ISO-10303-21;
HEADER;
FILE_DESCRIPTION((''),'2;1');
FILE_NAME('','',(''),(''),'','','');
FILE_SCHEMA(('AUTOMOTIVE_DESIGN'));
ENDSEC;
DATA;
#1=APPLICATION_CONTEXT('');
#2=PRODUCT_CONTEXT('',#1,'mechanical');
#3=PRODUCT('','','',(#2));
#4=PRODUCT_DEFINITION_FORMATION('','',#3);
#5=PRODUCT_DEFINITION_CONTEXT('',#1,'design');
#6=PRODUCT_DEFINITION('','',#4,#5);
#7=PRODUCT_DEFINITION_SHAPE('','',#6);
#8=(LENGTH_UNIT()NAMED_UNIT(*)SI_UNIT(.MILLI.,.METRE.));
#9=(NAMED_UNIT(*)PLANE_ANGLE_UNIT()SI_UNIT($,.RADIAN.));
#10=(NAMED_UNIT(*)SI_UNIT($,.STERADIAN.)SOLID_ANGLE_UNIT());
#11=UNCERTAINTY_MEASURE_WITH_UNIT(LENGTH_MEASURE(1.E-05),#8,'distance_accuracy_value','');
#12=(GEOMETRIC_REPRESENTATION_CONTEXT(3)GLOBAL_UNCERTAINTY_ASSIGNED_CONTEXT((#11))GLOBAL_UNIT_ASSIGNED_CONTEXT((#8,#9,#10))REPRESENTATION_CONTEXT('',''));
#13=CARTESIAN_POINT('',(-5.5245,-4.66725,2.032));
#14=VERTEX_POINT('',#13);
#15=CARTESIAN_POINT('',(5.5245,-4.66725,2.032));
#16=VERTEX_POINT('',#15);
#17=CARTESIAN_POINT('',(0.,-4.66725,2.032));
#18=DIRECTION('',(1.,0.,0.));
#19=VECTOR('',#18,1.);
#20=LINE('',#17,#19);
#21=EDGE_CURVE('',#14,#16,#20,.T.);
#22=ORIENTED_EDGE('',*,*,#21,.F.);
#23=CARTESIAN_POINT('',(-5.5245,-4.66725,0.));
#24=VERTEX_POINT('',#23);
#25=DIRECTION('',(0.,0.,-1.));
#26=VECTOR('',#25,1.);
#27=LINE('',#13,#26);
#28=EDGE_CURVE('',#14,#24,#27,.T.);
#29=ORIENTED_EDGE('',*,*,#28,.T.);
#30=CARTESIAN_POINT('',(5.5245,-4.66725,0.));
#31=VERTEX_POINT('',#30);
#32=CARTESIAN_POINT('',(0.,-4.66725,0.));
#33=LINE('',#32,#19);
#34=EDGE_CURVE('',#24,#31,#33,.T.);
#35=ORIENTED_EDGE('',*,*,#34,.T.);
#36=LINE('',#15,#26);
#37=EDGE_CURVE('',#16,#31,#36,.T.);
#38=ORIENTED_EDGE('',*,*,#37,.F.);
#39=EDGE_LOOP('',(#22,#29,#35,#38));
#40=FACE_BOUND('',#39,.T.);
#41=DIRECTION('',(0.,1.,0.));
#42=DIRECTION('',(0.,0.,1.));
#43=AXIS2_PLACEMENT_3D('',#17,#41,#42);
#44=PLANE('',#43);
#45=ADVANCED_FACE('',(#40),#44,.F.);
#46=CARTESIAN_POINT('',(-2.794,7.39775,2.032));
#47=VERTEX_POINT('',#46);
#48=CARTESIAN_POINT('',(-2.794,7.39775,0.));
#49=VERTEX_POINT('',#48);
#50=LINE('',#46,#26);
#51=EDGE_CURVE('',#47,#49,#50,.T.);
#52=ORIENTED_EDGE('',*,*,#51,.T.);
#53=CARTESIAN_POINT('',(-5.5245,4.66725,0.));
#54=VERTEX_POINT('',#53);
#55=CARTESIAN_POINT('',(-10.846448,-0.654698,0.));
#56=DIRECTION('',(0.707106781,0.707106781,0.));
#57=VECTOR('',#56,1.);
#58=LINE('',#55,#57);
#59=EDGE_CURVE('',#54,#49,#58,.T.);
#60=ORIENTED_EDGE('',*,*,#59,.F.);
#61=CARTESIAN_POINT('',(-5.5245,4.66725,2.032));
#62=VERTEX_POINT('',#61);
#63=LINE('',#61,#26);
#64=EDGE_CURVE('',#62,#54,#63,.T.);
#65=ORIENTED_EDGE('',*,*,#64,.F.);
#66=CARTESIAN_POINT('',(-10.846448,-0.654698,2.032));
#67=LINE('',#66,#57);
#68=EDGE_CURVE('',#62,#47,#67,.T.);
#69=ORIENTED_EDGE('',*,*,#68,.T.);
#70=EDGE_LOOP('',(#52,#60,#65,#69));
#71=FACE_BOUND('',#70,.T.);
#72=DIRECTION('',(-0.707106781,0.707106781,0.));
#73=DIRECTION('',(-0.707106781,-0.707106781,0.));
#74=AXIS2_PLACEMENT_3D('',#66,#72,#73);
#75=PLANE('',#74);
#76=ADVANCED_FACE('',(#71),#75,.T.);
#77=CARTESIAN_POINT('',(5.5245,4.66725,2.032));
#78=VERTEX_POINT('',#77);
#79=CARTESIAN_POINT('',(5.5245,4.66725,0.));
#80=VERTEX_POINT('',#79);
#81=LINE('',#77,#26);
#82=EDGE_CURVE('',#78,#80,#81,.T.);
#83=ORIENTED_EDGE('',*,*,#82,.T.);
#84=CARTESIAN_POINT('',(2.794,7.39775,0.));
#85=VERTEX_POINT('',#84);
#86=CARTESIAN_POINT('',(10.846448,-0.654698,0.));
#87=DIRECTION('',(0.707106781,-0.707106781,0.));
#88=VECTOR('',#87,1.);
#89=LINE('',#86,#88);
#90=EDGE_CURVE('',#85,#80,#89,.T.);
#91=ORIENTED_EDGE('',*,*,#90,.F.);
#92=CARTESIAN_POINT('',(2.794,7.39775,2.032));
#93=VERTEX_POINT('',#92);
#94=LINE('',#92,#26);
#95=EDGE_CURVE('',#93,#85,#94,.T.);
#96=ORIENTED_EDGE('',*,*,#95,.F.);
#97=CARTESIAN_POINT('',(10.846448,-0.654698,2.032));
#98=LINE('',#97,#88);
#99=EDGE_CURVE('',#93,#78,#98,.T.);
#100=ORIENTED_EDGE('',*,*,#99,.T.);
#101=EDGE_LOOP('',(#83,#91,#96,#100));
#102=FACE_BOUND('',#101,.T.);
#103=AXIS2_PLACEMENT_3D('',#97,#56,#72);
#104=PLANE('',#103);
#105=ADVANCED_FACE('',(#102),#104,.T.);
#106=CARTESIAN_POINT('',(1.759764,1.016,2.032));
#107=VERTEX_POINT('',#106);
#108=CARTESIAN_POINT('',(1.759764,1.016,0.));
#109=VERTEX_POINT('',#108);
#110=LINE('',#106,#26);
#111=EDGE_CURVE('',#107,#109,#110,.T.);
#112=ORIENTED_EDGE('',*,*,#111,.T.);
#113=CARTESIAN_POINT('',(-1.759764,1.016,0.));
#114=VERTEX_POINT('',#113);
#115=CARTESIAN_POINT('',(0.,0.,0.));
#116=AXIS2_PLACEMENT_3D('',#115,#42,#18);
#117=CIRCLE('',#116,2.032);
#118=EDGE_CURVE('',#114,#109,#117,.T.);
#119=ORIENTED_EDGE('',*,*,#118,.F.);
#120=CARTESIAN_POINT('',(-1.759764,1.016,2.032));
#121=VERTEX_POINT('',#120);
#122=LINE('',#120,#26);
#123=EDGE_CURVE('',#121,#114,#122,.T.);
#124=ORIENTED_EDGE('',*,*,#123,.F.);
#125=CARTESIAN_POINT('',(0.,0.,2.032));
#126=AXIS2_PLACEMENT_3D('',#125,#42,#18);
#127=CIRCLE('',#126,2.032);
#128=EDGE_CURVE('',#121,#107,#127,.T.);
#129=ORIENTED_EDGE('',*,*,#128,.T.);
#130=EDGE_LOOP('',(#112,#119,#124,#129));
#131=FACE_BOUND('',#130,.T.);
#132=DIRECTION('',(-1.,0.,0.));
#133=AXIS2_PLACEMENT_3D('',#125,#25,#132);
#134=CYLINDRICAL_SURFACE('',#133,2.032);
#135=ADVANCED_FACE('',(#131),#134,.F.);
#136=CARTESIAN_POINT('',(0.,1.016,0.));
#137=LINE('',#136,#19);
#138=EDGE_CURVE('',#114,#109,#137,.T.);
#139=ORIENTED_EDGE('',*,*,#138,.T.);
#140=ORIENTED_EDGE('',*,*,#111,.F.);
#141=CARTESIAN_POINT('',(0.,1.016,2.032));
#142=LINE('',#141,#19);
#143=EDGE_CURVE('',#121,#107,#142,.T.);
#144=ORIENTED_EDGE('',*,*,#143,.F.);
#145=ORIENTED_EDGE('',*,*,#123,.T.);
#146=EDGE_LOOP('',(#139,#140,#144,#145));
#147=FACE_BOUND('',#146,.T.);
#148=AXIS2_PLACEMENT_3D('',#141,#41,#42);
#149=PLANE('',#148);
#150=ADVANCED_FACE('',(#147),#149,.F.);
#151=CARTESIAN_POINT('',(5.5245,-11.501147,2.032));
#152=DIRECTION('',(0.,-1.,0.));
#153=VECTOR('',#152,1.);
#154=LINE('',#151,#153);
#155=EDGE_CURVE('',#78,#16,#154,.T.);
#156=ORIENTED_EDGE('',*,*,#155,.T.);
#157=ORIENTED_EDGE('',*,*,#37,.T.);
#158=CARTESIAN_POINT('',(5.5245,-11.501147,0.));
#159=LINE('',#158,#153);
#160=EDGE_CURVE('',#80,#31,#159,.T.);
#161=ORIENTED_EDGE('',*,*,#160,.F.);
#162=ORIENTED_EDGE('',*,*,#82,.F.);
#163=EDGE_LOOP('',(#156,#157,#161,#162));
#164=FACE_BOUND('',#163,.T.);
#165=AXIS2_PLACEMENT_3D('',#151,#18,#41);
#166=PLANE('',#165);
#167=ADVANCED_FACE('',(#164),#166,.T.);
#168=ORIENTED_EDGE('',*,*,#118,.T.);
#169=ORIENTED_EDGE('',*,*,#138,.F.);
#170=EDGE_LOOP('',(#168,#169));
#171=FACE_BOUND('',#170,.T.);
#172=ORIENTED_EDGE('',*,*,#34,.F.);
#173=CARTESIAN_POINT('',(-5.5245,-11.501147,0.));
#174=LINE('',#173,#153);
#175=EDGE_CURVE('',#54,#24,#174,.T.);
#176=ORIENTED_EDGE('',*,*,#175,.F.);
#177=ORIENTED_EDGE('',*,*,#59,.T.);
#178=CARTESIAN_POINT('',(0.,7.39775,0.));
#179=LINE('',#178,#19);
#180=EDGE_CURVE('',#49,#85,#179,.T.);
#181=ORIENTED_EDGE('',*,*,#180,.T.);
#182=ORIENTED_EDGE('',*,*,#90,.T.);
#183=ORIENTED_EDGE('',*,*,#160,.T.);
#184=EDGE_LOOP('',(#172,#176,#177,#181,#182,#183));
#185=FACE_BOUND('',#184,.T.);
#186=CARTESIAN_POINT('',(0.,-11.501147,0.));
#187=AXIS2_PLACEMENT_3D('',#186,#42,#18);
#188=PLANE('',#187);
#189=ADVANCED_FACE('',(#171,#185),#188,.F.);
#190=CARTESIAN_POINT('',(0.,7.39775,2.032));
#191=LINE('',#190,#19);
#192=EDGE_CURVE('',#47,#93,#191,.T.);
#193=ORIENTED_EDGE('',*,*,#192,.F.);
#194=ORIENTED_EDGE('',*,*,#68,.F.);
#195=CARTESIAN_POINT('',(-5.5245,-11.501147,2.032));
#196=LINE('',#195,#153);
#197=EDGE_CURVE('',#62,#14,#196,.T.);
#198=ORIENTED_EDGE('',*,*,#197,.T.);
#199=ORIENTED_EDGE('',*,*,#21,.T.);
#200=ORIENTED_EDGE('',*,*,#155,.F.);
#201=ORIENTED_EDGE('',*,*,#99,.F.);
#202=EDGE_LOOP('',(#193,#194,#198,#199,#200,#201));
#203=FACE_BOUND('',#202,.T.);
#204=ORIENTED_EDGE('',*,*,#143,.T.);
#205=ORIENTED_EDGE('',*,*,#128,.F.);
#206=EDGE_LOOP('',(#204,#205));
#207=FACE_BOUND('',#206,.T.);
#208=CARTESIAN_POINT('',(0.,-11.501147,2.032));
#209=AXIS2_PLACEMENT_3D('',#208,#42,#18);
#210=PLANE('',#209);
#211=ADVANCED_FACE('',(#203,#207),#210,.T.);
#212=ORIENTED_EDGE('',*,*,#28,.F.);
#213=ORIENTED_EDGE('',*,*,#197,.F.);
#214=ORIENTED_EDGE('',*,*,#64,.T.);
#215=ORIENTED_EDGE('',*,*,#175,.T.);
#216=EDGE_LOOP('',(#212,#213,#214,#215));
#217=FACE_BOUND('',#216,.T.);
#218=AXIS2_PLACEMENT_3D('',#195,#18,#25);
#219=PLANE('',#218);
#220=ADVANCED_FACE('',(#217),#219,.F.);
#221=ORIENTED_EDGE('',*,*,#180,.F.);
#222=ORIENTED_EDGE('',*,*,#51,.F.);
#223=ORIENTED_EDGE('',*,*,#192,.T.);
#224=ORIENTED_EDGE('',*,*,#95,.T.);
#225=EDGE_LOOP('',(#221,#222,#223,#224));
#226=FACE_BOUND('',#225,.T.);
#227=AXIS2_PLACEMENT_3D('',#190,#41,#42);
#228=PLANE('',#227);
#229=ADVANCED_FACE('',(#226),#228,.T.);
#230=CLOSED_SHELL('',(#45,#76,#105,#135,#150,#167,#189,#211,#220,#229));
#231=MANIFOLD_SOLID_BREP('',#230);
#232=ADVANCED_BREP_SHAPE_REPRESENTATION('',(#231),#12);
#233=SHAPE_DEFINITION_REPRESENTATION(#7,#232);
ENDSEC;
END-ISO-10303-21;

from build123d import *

# Parameters (mm, degrees)
BOSS_EXTRUDE1_DEPTH = 2.032


with BuildPart() as part:
    # Sketch1 → Boss-Extrude1 (new body)
    with BuildSketch(Plane.XY):
        Polygon((2.794, 7.39775), (-2.794, 7.39775), (-5.5245, 4.66725), (-5.5245, -4.66725), (5.5245, -4.66725), (5.5245, 4.66725), align=None)
        with BuildLine():
            ThreePointArc((1.75976362, 1.016), (0, -2.032), (-1.75976362, 1.016))
            Line((-1.75976362, 1.016), (1.75976362, 1.016))
        make_face(mode=Mode.SUBTRACT)
    extrude(amount=BOSS_EXTRUDE1_DEPTH)


solid = part.part
